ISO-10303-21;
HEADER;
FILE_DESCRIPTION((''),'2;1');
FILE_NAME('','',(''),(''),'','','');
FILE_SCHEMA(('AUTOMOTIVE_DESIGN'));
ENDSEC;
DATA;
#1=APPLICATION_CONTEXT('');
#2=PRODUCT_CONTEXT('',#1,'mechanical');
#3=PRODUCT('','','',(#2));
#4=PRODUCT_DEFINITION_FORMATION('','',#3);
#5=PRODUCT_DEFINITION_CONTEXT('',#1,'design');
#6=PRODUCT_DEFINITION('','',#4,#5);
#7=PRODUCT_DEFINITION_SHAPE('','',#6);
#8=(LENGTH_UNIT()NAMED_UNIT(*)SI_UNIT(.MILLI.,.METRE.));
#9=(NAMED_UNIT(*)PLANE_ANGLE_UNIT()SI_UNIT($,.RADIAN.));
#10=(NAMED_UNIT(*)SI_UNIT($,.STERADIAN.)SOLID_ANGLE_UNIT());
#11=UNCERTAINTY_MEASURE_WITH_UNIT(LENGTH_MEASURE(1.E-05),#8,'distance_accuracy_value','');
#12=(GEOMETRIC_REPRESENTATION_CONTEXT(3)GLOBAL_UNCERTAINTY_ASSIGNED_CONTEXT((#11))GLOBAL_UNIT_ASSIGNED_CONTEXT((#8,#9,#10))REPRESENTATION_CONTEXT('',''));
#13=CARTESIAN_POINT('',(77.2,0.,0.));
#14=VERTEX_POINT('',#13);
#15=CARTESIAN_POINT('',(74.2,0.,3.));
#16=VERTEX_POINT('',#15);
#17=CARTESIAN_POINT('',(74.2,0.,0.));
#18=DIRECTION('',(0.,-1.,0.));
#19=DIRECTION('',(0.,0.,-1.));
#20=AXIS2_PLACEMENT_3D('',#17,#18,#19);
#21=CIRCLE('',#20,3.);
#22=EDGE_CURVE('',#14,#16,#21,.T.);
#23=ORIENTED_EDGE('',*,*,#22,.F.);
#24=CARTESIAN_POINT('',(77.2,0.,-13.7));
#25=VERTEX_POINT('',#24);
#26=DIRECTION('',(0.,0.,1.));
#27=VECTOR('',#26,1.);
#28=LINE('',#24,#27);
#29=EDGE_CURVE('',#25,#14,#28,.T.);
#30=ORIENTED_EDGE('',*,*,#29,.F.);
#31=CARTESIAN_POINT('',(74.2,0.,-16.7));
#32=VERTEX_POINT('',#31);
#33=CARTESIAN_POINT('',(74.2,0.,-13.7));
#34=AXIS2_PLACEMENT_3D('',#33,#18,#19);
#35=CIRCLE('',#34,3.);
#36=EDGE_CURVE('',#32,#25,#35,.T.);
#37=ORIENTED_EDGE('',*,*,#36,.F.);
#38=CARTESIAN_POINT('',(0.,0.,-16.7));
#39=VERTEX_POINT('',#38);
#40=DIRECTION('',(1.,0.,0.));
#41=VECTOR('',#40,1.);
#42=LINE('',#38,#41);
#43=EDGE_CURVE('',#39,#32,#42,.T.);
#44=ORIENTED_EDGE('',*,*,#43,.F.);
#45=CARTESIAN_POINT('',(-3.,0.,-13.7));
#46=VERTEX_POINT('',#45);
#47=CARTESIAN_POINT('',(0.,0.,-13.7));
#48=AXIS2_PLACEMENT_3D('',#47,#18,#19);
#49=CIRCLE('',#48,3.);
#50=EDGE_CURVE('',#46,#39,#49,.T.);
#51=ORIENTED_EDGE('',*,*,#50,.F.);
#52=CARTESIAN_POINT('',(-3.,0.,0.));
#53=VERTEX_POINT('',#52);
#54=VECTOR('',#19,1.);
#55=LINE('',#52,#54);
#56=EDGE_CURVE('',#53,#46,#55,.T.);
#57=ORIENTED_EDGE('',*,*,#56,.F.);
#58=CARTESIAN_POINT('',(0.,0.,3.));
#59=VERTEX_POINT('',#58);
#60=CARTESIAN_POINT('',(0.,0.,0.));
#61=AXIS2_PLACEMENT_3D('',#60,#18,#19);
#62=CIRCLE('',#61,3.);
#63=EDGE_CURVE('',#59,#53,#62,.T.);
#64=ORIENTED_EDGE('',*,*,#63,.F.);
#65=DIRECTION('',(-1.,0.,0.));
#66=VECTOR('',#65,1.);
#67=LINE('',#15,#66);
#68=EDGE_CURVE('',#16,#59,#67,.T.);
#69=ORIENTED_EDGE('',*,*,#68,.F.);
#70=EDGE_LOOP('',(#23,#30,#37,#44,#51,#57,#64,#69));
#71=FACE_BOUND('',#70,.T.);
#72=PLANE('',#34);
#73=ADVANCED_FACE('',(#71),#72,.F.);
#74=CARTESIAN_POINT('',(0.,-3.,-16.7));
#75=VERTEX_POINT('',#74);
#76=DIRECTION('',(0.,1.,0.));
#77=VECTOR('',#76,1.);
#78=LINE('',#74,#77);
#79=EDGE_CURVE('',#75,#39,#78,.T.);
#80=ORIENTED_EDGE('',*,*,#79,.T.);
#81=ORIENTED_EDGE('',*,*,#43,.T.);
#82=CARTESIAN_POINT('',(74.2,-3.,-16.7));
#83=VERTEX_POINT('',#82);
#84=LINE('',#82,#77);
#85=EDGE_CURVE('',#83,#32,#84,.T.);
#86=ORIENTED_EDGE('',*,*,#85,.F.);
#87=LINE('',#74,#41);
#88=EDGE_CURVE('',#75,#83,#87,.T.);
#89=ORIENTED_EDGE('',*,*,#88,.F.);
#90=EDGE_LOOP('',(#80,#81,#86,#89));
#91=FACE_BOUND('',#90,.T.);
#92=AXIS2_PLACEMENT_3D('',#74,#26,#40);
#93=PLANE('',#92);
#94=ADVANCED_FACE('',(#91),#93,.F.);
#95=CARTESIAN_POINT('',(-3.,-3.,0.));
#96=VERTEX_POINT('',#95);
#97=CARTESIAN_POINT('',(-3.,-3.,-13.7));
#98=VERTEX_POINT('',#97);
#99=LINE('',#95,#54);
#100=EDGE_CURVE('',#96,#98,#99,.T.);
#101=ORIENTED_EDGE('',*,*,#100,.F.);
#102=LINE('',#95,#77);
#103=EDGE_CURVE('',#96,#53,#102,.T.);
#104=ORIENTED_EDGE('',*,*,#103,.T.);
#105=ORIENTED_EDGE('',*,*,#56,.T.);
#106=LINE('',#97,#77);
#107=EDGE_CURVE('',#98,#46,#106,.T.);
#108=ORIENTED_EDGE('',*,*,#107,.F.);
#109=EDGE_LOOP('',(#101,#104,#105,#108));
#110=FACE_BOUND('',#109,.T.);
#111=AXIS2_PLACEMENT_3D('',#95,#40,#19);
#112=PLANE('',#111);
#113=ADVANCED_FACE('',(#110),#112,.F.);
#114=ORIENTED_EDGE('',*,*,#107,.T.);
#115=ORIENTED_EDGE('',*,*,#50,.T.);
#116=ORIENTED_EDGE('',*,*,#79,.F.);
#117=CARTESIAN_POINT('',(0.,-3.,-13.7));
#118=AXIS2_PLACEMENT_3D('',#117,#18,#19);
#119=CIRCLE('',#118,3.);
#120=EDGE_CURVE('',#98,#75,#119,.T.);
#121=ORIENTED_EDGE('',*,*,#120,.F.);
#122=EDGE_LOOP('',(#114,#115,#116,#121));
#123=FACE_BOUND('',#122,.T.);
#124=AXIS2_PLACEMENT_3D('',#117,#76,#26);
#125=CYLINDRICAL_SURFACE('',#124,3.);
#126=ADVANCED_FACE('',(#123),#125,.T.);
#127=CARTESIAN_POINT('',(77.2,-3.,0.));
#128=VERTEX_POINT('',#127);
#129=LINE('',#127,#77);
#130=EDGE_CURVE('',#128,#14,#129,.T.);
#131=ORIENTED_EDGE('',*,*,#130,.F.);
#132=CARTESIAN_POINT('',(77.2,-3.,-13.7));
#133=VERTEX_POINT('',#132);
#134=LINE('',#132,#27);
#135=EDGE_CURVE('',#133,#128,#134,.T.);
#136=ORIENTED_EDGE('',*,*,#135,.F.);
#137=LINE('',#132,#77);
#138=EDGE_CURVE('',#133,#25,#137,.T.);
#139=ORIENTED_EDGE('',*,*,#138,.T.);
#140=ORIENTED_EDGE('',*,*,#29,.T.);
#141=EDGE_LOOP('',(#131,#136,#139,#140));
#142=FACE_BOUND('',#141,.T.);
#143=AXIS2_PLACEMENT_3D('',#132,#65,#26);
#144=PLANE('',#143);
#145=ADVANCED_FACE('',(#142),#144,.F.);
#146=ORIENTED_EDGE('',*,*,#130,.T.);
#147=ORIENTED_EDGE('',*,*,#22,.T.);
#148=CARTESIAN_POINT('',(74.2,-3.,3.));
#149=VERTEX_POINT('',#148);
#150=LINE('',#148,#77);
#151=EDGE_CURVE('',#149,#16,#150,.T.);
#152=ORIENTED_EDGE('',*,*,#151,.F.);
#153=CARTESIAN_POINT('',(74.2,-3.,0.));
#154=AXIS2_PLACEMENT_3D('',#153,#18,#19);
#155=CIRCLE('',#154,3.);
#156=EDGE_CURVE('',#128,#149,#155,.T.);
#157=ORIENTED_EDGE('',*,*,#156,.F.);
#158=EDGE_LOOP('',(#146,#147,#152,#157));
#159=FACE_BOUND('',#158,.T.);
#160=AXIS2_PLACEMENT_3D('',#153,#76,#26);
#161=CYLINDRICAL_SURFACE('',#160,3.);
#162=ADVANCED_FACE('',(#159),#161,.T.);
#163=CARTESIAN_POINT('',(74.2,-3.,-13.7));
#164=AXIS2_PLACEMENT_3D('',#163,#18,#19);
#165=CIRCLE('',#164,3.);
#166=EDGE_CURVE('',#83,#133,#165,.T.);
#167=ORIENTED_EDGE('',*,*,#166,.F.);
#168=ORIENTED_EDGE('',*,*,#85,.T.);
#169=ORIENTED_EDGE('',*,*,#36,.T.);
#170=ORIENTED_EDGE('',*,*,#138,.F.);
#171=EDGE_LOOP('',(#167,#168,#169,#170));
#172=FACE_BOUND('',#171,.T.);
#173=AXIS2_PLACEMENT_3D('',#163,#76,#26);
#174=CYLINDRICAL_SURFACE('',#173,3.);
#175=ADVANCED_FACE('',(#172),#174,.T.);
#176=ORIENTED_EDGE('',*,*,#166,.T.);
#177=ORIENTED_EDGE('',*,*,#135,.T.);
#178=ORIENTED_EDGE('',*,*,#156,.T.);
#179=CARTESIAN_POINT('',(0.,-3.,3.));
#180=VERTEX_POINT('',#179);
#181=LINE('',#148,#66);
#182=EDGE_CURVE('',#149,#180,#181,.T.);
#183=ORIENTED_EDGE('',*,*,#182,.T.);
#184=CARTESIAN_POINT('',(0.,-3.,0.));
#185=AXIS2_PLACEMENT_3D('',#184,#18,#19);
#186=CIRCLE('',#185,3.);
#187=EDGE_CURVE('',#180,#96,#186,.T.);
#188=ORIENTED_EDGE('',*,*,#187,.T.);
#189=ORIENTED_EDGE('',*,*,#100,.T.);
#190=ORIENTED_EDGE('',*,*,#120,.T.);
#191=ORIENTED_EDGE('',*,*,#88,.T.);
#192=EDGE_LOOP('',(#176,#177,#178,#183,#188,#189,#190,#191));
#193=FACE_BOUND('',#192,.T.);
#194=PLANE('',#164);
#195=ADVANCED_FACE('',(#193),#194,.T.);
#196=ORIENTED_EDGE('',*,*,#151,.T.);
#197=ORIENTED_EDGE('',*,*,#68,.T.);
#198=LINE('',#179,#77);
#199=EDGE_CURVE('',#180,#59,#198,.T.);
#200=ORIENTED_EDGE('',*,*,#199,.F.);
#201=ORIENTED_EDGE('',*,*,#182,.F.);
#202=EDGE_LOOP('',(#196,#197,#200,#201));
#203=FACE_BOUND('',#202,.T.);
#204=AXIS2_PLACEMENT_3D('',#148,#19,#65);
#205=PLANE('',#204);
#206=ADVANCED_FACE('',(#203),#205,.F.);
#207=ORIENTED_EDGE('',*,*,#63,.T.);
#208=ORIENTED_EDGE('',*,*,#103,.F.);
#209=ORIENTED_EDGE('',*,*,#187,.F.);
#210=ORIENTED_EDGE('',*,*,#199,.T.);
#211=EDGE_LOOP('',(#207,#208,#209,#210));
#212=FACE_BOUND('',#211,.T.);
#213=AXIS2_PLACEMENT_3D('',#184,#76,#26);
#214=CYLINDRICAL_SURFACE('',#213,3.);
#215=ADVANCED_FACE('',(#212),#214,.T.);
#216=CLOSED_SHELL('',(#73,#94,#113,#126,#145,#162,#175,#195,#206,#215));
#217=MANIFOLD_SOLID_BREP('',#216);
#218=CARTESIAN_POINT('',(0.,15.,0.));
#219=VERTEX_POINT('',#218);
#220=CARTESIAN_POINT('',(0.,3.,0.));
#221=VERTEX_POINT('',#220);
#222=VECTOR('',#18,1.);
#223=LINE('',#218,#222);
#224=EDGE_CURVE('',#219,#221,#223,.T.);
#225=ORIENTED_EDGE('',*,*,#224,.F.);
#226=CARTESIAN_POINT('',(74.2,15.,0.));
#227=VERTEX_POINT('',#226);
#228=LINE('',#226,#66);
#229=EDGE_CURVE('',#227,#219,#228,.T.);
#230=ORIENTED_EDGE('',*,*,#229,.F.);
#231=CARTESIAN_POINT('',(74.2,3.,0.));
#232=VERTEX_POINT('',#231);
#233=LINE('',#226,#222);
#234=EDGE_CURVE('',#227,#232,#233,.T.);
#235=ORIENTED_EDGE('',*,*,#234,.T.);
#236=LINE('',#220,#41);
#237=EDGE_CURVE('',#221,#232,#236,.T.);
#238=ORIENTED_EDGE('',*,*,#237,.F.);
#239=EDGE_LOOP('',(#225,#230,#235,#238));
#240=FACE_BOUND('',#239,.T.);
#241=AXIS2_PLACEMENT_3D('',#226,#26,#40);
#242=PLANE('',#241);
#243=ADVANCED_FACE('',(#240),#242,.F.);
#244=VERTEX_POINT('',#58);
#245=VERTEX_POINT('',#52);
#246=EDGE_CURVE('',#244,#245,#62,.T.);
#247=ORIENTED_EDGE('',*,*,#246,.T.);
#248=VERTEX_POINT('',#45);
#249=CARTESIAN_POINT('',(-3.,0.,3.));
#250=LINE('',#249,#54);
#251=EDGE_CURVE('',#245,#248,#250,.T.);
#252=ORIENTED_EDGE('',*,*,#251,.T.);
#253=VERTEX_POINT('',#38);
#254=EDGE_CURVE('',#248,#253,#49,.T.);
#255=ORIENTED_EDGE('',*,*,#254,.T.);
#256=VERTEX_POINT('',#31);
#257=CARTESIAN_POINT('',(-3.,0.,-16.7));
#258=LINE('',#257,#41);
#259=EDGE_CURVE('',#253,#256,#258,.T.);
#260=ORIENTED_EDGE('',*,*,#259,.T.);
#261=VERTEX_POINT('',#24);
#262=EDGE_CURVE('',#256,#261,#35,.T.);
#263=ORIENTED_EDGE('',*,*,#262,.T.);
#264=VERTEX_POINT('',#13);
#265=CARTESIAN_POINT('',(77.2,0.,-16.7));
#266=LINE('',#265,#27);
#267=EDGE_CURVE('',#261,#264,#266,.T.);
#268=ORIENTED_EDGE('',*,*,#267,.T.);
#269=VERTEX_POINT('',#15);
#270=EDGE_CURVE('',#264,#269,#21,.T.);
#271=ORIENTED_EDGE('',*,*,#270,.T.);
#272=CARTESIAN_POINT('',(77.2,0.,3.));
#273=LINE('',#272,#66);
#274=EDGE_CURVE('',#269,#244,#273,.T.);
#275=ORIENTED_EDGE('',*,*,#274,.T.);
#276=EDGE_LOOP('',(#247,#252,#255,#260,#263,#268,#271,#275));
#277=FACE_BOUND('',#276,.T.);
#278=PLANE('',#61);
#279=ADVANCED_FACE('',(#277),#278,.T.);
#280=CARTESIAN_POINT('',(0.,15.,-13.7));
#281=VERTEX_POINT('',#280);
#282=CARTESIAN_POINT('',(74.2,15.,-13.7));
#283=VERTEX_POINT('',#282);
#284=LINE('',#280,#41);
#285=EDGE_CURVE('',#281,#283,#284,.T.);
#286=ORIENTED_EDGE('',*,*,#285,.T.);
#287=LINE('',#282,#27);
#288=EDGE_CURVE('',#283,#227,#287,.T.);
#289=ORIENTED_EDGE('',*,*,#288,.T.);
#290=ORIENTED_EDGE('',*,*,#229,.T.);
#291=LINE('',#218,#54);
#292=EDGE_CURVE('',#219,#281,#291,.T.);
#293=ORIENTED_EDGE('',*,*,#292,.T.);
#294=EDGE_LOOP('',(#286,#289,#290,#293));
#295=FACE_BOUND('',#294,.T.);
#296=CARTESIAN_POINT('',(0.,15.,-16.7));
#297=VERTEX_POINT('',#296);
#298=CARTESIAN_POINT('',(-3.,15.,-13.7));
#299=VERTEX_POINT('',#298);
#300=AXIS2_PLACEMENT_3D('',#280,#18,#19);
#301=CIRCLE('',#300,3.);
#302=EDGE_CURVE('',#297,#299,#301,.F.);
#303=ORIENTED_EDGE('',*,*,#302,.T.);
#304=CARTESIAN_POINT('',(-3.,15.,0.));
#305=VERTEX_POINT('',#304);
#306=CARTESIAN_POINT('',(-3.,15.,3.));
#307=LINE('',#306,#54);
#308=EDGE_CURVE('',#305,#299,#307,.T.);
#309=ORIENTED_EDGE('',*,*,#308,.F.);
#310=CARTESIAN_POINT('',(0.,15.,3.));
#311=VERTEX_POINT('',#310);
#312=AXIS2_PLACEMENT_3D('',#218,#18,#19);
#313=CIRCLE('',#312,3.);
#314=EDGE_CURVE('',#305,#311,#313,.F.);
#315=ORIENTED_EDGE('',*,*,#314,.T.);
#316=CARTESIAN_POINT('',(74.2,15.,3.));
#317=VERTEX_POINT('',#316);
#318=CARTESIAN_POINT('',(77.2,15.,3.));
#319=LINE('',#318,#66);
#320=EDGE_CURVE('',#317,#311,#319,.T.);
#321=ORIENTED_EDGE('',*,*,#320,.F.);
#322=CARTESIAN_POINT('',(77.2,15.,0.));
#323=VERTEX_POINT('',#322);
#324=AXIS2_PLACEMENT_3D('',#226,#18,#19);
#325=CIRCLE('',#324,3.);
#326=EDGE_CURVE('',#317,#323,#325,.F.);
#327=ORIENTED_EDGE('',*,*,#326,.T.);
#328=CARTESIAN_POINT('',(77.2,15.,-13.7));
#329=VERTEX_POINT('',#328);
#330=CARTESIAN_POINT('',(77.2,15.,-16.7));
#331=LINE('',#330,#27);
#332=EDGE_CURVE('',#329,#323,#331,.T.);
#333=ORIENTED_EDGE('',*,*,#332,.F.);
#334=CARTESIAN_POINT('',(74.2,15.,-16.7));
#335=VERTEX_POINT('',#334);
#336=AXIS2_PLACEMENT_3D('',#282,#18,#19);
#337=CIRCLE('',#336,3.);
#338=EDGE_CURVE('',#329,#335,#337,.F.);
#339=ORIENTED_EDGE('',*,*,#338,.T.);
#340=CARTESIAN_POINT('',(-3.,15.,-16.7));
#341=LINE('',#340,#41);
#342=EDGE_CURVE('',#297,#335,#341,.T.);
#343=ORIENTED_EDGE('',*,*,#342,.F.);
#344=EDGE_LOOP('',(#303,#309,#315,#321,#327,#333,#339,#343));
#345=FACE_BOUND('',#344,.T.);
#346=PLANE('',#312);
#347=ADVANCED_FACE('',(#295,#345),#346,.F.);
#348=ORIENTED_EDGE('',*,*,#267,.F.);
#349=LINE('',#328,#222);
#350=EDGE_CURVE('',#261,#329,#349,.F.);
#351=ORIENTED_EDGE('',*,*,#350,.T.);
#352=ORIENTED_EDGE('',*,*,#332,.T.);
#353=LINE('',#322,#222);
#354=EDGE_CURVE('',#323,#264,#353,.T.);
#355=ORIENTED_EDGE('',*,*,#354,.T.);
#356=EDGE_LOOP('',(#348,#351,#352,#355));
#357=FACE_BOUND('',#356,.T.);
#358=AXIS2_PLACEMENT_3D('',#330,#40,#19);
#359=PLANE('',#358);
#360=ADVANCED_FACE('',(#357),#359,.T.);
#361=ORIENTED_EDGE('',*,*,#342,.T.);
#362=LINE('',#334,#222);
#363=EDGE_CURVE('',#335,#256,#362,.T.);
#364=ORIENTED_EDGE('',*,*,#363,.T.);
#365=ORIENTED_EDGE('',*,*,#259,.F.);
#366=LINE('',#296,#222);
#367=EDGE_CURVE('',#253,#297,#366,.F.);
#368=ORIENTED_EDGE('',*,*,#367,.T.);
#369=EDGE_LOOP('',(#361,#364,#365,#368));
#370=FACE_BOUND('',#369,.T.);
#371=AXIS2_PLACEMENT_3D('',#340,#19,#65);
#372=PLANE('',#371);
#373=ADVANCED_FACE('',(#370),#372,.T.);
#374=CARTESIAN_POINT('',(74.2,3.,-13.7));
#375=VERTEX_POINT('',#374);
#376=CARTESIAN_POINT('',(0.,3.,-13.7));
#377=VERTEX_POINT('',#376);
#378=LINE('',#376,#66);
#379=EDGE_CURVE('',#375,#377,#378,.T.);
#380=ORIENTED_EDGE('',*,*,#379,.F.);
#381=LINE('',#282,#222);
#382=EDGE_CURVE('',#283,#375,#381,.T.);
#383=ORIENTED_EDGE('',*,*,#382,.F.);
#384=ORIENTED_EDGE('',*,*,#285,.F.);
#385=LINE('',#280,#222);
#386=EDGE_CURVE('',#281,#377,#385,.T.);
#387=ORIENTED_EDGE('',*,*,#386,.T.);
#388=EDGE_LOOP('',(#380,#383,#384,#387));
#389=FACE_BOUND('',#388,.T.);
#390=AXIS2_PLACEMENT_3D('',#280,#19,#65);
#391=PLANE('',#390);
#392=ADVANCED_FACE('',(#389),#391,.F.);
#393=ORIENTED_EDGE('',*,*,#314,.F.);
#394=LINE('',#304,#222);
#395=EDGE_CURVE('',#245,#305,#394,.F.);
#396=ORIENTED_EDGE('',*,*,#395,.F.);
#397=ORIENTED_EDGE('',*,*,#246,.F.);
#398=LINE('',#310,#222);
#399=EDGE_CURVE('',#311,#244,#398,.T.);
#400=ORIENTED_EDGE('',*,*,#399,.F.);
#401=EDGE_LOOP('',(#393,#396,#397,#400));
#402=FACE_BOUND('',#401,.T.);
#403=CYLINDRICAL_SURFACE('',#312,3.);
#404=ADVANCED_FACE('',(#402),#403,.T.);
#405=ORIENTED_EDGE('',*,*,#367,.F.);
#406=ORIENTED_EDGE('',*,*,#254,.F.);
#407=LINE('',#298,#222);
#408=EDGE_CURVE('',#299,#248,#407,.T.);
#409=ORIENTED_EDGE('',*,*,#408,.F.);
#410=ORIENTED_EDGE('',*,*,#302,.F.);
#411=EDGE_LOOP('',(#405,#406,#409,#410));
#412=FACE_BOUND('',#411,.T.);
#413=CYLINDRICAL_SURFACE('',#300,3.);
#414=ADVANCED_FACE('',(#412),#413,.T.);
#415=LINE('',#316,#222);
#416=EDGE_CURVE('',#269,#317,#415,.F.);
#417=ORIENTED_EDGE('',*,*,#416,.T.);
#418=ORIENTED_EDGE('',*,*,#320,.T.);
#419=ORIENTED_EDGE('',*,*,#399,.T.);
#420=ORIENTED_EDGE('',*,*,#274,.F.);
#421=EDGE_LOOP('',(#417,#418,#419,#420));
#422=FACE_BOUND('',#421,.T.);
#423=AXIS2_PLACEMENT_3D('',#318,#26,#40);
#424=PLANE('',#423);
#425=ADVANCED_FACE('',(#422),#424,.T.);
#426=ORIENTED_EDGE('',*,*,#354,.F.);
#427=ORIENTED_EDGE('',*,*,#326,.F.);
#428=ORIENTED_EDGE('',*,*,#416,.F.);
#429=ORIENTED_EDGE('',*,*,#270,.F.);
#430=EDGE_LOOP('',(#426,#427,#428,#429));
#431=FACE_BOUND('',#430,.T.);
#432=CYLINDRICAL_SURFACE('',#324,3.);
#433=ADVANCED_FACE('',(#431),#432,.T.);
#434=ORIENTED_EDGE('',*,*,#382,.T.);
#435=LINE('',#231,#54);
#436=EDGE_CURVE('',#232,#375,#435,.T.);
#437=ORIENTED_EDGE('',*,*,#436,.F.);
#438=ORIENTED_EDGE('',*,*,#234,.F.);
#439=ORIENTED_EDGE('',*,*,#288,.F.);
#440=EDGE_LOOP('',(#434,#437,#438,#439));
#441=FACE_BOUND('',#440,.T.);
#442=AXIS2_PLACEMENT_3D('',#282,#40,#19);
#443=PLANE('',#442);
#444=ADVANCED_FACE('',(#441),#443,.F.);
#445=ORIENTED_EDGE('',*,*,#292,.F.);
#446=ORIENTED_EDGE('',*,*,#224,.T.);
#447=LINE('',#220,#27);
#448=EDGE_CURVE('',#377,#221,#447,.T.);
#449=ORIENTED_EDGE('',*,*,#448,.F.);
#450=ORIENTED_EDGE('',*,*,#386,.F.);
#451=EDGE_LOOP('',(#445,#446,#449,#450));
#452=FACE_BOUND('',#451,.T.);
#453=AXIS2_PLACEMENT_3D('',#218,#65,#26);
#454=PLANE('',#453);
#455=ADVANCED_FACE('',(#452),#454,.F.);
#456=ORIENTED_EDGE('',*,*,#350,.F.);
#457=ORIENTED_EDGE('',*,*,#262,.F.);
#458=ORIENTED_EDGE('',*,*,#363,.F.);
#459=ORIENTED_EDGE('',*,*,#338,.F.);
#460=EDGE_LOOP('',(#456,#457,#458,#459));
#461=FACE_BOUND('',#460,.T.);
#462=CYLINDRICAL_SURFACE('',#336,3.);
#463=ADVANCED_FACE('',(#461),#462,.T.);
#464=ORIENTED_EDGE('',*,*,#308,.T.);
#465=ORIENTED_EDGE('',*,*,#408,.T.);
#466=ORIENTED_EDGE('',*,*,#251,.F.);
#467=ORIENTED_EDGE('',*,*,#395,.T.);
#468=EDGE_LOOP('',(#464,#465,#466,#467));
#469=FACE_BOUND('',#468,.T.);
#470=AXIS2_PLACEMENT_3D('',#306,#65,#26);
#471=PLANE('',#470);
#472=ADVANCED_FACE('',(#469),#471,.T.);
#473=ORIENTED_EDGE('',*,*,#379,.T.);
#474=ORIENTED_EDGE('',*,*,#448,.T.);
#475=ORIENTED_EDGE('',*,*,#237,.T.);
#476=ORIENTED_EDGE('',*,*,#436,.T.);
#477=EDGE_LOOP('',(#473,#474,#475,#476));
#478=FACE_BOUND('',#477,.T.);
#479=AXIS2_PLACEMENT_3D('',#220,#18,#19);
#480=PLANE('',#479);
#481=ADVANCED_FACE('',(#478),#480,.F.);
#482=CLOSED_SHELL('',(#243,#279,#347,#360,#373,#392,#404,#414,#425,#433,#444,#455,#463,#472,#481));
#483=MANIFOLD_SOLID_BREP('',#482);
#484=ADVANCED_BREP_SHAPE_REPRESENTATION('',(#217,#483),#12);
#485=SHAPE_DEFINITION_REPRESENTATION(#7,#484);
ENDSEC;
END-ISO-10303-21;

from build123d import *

# Parameters (mm, degrees)
SKETCH1_W           = 74.2
SKETCH1_H           = 13.7
BOSS_EXTRUDE1_DEPTH = 3
SKETCH2_W           = 80.2
SKETCH2_H           = 19.7
SKETCH2_W_2         = 74.2
SKETCH2_H_2         = 13.7
BOSS_EXTRUDE2_DEPTH = 15
FILLET1_R           = 3
BOSS_EXTRUDE3_DEPTH = 3


with BuildPart() as part:
    # Sketch1 → Boss-Extrude1 (new body)
    with BuildSketch(Plane(origin=(0, 0, 0), x_dir=(1, 0, 0), z_dir=(0, 1, 0))):
        with Locations((37.1, 6.85)):
            Rectangle(SKETCH1_W, SKETCH1_H)
    extrude(amount=BOSS_EXTRUDE1_DEPTH)

    # Sketch2 → Boss-Extrude2 (add)
    with BuildSketch(Plane.XZ):
        with Locations((37.1, -6.85)):
            Rectangle(SKETCH2_W, SKETCH2_H)
        with Locations((37.1, -6.85)):
            Rectangle(SKETCH2_W_2, SKETCH2_H_2, mode=Mode.SUBTRACT)
    extrude(amount=-BOSS_EXTRUDE2_DEPTH)

    # Fillet1
    fillet1_edges = [part.edges().sort_by_distance(p)[0] for p in [
        (77.2, 7.5, 3),
        (77.2, 7.5, -16.7),
        (-3, 7.5, -16.7),
        (-3, 7.5, 3),
    ]]
    fillet(fillet1_edges, radius=FILLET1_R)


with BuildPart() as body_2:
    # Sketch3 → Boss-Extrude3 (new body)
    with BuildSketch(Plane.XZ):
        with BuildLine():
            Line((77.2, -13.7), (77.2, 0))
            ThreePointArc((77.2, 0), (76.321320344, 2.121320344), (74.2, 3))
            Line((74.2, 3), (0, 3))
            ThreePointArc((0, 3), (-2.121320344, 2.121320344), (-3, 0))
            Line((-3, 0), (-3, -13.7))
            ThreePointArc((-3, -13.7), (-2.121320344, -15.821320344), (0, -16.7))
            Line((0, -16.7), (74.2, -16.7))
            ThreePointArc((74.2, -16.7), (76.321320344, -15.821320344), (77.2, -13.7))
        make_face()
    extrude(amount=BOSS_EXTRUDE3_DEPTH)


solid = Compound([part.part, body_2.part])
